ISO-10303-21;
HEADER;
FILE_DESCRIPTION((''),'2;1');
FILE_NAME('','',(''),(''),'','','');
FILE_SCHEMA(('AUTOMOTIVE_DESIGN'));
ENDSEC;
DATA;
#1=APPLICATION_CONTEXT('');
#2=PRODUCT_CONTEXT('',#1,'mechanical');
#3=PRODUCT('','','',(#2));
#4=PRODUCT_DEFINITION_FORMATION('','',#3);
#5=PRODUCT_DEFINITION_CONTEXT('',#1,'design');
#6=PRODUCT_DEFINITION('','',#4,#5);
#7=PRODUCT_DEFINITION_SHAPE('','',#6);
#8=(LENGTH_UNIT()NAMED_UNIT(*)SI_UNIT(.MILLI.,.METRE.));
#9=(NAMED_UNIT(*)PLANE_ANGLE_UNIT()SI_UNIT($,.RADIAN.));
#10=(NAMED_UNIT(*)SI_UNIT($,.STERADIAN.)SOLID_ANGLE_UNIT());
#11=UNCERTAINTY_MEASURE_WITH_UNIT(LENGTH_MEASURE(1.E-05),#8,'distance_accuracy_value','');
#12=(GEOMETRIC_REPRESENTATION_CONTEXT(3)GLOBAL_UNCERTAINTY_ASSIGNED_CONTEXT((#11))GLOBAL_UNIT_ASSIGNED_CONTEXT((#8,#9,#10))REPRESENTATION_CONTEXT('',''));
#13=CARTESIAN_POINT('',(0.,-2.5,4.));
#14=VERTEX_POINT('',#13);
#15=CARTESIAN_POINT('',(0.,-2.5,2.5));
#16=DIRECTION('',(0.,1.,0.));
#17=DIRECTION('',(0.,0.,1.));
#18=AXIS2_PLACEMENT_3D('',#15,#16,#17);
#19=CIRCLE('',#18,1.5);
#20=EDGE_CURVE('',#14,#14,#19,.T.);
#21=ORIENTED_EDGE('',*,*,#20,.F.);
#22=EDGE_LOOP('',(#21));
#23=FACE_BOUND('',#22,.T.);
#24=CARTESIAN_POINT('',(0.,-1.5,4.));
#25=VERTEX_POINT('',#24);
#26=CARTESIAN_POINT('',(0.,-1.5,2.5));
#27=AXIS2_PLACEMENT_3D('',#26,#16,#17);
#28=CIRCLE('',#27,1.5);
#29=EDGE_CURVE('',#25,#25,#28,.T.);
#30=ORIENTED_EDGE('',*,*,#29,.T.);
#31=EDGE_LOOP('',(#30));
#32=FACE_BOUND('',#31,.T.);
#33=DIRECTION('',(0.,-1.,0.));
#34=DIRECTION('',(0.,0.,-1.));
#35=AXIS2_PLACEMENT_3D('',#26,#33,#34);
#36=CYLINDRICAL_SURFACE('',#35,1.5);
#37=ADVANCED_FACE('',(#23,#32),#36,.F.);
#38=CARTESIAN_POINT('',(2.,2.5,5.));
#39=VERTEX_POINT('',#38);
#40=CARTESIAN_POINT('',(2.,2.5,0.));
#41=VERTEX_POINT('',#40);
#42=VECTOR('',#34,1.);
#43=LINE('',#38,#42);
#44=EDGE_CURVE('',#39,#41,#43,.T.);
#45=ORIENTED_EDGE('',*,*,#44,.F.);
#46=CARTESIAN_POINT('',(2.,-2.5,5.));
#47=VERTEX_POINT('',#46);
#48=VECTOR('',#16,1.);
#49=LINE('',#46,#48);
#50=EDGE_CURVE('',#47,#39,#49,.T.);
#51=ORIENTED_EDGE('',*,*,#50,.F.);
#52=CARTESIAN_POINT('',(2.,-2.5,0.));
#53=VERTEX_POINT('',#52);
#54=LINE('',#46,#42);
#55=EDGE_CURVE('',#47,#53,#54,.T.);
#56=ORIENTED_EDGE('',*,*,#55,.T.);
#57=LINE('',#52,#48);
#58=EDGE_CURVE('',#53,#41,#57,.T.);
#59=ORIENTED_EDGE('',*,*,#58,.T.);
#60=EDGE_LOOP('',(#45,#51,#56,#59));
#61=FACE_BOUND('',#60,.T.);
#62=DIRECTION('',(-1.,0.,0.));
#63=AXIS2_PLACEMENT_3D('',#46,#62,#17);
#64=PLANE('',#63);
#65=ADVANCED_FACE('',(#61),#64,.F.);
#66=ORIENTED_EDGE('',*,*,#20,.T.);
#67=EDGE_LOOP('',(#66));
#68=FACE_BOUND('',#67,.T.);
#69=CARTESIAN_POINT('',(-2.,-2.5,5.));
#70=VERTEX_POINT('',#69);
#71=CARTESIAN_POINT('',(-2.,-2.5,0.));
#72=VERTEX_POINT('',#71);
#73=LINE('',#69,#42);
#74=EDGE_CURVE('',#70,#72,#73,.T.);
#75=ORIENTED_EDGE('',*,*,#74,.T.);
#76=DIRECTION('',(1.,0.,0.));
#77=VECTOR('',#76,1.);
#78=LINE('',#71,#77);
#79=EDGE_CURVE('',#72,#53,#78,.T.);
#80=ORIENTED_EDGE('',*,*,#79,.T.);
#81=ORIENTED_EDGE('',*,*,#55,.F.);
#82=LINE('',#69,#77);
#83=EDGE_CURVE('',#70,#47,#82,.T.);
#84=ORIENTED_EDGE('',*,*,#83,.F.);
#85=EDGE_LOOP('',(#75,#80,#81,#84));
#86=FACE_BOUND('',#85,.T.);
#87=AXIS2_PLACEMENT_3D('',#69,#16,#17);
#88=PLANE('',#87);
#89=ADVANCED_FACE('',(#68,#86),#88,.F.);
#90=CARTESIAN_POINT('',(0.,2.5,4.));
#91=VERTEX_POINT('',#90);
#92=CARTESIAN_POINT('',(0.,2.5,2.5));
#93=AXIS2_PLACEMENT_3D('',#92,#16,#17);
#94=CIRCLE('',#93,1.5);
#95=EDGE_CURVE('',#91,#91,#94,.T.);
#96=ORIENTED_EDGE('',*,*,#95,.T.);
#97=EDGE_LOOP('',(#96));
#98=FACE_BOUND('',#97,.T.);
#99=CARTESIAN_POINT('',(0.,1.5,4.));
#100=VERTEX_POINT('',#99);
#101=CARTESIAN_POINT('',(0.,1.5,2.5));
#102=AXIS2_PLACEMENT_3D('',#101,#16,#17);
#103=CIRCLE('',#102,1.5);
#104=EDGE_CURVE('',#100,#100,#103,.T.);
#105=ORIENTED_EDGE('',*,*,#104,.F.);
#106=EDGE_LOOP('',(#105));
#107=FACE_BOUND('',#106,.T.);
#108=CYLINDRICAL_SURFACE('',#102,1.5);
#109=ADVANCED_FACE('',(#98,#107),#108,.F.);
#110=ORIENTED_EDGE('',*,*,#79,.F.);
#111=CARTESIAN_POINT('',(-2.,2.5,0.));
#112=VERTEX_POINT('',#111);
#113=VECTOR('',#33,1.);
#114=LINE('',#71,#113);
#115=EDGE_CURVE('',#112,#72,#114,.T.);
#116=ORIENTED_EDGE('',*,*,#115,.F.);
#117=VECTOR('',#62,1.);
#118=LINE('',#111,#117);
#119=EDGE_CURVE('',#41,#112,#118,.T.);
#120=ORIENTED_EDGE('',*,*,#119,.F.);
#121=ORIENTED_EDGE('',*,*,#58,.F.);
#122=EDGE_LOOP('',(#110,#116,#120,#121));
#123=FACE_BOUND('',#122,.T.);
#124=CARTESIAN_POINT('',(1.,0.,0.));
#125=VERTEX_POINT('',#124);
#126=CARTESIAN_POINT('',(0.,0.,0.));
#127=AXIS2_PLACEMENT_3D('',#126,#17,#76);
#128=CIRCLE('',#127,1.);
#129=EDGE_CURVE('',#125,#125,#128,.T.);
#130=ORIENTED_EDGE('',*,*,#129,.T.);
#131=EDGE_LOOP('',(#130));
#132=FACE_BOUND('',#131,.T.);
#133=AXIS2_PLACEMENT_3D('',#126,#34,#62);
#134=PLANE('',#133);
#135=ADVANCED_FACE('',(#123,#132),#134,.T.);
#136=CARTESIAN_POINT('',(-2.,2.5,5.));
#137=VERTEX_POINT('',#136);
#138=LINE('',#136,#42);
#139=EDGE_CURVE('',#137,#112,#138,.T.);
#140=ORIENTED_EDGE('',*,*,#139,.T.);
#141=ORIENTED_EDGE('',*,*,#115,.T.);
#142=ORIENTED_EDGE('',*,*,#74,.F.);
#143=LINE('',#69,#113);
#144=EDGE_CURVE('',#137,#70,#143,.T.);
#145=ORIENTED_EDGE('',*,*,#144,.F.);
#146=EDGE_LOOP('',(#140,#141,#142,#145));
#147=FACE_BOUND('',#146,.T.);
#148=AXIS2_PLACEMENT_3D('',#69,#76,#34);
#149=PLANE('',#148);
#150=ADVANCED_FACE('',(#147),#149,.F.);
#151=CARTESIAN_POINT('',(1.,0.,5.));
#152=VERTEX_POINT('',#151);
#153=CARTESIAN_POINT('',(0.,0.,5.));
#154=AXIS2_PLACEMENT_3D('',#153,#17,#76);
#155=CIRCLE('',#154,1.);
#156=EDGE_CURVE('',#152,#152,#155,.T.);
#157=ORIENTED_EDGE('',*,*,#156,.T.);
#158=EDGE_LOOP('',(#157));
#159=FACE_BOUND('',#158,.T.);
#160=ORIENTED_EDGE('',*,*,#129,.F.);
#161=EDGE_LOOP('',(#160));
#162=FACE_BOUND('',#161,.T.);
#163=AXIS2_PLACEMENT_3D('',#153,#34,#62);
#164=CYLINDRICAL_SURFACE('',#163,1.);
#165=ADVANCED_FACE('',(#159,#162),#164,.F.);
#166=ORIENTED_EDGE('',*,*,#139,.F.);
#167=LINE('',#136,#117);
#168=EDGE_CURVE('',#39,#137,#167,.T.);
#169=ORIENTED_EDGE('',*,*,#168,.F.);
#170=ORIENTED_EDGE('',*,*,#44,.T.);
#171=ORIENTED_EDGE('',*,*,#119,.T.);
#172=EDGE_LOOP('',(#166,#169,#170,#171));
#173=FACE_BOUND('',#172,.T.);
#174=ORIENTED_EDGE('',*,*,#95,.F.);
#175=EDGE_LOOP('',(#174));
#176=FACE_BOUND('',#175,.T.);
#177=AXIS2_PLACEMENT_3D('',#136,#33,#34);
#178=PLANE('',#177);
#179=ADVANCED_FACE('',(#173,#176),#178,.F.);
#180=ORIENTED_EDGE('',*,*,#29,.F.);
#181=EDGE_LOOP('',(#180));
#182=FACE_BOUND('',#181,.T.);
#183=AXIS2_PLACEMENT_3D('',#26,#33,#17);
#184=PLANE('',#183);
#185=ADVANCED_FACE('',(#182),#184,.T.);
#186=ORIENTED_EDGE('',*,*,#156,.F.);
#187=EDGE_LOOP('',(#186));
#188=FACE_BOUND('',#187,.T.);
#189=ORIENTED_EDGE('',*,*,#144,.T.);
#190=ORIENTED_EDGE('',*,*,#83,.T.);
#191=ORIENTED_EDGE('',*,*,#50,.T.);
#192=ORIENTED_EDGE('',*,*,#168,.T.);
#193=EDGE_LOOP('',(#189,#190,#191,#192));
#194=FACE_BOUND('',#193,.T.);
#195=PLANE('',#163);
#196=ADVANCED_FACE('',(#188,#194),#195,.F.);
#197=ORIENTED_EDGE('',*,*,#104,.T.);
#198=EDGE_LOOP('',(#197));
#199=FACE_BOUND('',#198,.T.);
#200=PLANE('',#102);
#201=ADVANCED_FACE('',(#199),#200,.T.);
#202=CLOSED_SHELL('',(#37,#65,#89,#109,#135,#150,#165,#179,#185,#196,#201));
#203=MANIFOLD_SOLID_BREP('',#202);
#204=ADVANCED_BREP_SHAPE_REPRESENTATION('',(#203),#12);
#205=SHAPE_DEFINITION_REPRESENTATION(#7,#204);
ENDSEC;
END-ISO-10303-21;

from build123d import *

# Parameters (mm, degrees)
CROQUIS1_W              = 4
CROQUIS1_H              = 5
CROQUIS1_R              = 1
SALIENTE_EXTRUIR1_DEPTH = 5
CROQUIS3_R              = 1.5
CORTAR_EXTRUIR1_DEPTH   = 1


with BuildPart() as part:
    # Croquis1 → Saliente-Extruir1 (new body)
    with BuildSketch(Plane.XY):
        Rectangle(CROQUIS1_W, CROQUIS1_H)
        Circle(CROQUIS1_R, mode=Mode.SUBTRACT)
    extrude(amount=SALIENTE_EXTRUIR1_DEPTH)

    # Croquis3 → Cortar-Extruir1 (cut)
    with BuildSketch(Plane(origin=(0, 2.5, 0), x_dir=(1, 0, 0), z_dir=(0, 1, 0))):
        with Locations((0, -2.5)):
            Circle(CROQUIS3_R)
    cortar_extruir1 = extrude(amount=-CORTAR_EXTRUIR1_DEPTH, mode=Mode.SUBTRACT)

    # Simetría1: Cortar-Extruir1 across plane
    add(cortar_extruir1.mirror(Plane(origin=(0, 0, 0), x_dir=(0, 0, 1), z_dir=(0, -1, 0))), mode=Mode.SUBTRACT)


solid = part.part
